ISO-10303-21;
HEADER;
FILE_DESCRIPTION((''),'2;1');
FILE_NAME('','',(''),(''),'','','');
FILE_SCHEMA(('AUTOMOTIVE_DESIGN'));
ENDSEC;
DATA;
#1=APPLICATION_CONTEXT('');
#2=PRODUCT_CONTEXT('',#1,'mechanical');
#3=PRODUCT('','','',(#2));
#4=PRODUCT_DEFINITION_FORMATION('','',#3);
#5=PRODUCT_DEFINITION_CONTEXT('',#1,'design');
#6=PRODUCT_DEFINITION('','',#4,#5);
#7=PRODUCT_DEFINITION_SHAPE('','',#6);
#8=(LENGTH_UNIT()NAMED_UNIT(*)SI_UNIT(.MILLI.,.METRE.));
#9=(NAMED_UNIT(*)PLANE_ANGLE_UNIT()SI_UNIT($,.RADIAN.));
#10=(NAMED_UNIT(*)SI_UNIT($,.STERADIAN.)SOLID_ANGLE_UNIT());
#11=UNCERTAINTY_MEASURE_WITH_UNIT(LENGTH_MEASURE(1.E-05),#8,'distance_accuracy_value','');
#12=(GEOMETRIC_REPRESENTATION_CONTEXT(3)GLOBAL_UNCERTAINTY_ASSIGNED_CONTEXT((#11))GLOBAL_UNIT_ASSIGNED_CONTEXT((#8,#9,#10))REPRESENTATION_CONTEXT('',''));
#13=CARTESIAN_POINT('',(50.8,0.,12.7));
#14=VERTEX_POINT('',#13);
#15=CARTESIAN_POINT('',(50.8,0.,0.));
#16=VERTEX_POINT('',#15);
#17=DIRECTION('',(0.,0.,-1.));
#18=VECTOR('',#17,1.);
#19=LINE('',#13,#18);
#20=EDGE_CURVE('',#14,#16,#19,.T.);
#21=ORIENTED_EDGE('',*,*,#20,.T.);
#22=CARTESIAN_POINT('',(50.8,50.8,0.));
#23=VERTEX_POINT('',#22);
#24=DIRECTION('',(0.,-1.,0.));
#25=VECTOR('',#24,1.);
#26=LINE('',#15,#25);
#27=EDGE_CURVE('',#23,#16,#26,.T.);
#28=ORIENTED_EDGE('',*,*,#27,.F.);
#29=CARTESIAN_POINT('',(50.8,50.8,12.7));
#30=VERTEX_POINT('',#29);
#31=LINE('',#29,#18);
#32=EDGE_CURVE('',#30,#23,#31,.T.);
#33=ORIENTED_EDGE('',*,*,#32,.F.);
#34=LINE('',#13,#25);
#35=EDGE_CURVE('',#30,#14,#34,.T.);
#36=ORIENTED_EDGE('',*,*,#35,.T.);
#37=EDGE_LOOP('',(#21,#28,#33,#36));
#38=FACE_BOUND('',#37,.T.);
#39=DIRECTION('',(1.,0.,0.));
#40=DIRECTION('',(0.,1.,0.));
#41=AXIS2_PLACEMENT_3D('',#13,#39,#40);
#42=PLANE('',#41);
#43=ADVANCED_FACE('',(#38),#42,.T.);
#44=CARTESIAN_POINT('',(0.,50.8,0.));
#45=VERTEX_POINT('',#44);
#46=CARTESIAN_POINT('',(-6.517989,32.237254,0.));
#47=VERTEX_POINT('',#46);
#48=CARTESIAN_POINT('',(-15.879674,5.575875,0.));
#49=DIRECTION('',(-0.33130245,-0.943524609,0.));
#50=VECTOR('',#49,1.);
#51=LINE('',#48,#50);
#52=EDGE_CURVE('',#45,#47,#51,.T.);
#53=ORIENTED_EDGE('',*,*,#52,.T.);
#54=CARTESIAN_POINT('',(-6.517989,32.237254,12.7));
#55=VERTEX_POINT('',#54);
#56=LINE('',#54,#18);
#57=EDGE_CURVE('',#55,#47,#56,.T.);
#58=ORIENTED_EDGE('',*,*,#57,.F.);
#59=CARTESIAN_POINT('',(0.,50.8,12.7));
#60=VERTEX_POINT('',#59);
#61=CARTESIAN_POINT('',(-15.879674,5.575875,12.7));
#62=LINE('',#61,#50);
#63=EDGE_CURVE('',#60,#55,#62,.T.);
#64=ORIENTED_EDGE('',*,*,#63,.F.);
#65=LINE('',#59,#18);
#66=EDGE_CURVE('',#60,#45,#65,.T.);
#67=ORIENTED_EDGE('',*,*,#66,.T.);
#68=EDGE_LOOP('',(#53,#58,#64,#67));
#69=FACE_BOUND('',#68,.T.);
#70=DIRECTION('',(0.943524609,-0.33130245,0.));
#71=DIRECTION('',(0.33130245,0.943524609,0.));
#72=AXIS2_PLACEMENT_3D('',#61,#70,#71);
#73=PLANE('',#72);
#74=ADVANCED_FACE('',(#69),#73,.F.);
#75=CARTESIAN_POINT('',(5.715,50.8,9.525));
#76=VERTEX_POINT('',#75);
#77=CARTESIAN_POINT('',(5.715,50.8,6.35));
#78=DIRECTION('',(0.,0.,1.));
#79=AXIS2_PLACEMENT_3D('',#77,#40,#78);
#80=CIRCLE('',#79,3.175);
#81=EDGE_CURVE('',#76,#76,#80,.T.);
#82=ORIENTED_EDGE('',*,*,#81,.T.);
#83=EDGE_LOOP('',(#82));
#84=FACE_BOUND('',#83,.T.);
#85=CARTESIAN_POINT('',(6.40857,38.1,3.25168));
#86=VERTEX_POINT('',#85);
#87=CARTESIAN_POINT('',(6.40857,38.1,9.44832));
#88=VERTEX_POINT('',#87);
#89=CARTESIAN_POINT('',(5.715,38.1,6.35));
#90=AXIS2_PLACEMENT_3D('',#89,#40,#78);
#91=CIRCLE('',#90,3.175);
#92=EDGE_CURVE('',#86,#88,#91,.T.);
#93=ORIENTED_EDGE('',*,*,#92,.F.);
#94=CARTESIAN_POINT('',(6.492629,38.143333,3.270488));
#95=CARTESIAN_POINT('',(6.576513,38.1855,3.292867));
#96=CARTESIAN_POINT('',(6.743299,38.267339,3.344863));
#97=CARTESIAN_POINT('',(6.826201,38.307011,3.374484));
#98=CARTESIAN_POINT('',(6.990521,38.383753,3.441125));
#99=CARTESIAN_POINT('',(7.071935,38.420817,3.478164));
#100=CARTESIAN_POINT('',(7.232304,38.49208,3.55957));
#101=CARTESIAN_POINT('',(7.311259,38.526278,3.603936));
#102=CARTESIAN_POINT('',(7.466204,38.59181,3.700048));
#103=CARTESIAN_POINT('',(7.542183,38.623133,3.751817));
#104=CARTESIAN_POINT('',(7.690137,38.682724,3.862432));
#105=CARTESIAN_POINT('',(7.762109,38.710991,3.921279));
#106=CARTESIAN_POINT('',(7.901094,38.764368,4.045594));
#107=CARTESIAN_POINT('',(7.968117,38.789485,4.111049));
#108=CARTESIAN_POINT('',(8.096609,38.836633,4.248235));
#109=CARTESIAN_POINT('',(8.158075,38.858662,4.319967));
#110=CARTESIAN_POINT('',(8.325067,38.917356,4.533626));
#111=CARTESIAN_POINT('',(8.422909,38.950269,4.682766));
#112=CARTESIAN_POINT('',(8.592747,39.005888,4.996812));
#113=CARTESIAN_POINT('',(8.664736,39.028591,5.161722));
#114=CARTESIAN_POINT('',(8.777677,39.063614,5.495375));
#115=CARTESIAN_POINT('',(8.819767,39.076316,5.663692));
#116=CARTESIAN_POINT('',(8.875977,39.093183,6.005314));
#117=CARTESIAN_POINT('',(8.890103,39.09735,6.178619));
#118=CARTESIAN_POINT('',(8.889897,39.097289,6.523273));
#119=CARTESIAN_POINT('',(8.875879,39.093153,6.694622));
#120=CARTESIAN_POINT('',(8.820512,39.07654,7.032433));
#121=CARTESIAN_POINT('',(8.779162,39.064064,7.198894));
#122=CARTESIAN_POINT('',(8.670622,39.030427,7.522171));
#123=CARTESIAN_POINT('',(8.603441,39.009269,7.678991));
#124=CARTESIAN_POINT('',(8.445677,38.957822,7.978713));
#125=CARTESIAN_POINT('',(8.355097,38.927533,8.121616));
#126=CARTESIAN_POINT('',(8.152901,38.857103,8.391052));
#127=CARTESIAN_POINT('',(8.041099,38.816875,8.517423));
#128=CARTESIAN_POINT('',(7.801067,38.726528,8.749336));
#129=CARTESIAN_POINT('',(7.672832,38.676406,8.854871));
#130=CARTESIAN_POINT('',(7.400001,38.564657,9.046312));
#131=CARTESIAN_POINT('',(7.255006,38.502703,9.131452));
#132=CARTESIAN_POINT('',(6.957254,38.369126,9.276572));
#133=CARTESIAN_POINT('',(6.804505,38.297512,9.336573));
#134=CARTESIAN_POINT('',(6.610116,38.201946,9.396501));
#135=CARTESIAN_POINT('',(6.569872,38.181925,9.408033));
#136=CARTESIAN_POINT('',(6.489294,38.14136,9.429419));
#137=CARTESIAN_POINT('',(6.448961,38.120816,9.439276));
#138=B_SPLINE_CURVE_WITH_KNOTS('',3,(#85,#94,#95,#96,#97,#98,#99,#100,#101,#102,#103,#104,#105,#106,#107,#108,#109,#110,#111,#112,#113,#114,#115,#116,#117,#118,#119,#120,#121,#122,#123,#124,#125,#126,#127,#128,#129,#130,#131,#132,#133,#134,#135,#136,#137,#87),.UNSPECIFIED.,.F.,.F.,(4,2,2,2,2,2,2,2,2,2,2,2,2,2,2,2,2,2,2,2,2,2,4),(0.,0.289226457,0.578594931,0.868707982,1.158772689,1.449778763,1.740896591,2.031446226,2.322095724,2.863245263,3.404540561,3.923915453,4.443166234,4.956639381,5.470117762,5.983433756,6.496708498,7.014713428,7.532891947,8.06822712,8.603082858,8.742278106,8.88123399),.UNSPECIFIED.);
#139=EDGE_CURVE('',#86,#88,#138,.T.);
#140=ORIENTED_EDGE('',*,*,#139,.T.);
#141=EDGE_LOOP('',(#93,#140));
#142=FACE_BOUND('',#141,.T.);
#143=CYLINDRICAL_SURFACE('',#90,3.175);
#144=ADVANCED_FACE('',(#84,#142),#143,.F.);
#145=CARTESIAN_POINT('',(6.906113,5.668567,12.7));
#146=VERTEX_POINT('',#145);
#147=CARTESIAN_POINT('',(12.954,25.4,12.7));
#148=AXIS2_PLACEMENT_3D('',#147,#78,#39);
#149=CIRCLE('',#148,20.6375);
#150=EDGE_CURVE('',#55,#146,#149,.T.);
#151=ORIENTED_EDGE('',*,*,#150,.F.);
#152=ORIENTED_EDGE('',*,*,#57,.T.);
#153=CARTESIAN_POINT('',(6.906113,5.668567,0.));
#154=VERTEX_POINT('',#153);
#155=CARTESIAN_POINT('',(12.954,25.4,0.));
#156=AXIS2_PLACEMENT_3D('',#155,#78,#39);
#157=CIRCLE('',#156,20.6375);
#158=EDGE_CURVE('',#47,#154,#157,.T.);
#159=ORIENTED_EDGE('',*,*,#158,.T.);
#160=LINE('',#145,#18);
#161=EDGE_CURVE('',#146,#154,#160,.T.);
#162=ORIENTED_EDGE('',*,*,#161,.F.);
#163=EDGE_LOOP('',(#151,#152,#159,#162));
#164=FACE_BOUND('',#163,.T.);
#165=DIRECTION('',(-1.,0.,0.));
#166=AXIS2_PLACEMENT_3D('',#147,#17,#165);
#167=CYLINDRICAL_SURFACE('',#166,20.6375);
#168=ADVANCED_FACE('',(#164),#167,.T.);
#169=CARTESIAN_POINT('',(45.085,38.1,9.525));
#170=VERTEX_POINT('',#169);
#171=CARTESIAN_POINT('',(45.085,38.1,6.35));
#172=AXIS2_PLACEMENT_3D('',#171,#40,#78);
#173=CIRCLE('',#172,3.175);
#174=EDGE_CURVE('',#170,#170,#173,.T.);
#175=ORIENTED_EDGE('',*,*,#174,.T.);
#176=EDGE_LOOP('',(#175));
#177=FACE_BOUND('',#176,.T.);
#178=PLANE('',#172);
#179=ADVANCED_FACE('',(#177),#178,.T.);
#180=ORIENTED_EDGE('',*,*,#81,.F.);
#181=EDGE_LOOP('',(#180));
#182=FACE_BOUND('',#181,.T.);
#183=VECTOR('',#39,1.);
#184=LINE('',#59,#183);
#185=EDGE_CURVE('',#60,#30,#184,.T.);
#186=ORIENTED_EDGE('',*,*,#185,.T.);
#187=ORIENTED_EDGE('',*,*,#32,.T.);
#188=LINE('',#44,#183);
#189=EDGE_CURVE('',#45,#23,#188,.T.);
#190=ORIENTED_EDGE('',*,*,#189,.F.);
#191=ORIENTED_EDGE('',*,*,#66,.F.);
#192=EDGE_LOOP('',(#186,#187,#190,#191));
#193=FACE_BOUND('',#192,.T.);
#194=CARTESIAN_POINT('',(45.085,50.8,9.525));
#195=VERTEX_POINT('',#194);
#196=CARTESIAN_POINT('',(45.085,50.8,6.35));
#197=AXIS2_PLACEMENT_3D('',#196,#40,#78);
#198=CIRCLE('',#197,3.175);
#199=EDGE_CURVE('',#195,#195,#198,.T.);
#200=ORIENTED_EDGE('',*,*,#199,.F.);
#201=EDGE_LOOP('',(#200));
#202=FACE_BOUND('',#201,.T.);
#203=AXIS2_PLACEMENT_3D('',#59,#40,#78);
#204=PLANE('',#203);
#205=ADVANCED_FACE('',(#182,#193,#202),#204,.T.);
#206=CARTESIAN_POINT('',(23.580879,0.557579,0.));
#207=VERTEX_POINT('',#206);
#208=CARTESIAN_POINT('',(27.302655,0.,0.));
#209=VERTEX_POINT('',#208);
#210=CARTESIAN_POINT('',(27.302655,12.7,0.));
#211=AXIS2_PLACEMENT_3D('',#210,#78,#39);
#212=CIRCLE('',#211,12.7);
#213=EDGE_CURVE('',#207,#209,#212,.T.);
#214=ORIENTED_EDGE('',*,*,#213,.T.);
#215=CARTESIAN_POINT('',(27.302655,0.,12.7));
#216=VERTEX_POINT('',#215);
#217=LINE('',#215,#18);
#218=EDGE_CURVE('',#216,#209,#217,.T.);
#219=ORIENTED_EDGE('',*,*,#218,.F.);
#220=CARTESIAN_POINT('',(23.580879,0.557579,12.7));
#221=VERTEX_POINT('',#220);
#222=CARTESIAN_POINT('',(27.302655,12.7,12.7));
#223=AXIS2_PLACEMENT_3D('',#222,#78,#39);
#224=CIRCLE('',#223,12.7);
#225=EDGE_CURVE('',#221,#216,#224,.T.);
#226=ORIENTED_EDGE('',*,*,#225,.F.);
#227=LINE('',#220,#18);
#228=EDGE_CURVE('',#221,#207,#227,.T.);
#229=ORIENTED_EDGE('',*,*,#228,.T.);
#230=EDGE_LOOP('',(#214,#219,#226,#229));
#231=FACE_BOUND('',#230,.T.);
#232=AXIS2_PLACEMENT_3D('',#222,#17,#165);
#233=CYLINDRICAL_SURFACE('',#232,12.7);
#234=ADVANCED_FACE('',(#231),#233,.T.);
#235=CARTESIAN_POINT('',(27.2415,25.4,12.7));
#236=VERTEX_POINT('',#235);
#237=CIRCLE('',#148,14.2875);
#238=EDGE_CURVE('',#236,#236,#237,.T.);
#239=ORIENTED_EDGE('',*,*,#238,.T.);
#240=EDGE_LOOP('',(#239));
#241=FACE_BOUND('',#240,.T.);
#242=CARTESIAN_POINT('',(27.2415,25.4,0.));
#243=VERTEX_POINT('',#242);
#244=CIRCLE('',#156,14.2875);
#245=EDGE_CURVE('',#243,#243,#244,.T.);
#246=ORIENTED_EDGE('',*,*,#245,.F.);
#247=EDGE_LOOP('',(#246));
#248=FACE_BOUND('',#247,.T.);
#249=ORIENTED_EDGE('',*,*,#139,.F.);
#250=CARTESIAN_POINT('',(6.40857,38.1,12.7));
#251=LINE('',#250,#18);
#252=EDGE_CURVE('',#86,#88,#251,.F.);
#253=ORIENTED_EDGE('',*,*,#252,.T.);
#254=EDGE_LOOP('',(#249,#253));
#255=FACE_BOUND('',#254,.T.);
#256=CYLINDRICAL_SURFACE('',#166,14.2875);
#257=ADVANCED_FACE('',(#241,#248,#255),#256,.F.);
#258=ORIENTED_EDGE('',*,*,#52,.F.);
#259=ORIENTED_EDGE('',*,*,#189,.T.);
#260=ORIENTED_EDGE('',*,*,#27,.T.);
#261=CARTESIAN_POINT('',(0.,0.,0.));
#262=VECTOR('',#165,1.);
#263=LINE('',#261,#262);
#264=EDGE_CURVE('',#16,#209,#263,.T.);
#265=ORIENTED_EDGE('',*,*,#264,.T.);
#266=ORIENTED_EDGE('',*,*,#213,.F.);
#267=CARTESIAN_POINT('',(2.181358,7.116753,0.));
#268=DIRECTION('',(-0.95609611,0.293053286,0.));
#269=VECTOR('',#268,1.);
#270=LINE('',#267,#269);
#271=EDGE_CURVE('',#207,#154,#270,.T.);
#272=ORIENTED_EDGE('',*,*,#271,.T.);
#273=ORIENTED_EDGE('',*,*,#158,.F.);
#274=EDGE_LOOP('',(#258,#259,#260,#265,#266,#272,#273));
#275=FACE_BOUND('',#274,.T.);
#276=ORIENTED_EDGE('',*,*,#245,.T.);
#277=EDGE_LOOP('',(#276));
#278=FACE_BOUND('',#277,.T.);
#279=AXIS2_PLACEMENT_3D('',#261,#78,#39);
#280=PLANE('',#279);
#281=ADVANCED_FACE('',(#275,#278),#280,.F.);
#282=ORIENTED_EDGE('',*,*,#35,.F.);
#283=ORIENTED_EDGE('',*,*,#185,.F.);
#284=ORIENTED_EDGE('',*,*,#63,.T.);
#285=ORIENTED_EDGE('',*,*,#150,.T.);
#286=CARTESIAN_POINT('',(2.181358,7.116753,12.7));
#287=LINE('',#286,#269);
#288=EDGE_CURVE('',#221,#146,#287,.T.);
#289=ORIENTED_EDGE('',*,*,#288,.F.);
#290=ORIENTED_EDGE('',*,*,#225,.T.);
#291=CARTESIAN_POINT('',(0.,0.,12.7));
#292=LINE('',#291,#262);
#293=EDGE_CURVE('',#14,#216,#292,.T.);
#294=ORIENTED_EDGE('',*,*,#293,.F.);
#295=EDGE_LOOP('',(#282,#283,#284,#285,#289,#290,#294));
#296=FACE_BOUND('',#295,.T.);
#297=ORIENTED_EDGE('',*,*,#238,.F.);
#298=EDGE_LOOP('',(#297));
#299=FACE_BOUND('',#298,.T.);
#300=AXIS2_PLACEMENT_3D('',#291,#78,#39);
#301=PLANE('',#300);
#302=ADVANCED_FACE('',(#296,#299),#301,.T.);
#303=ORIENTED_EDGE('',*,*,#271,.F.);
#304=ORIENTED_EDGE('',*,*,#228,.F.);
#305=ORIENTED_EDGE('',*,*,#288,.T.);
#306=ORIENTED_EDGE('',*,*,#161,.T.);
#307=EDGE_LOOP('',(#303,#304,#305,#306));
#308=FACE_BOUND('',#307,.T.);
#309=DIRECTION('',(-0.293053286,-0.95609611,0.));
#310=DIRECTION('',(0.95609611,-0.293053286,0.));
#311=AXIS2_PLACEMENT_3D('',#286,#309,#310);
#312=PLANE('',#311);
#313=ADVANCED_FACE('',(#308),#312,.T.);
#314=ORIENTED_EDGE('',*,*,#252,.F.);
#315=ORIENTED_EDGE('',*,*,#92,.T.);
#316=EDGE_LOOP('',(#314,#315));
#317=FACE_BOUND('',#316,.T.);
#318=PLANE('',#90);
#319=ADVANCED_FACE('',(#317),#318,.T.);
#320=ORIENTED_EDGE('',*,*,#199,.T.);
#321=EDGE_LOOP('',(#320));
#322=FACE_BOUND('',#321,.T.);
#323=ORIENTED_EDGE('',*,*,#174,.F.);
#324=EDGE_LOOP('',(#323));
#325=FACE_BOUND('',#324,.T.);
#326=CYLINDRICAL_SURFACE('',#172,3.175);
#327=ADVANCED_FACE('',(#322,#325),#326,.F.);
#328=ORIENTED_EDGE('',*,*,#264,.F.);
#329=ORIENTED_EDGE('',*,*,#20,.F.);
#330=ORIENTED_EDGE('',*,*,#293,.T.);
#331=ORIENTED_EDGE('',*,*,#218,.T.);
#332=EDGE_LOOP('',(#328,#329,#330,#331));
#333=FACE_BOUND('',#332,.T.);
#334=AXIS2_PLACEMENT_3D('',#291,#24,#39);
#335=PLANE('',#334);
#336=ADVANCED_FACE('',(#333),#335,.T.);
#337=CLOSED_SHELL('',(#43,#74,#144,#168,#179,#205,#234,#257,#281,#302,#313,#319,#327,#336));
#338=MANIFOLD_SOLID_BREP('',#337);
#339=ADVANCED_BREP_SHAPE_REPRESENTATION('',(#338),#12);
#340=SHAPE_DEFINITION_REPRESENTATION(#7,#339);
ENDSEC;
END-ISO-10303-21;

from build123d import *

# Parameters (mm, degrees)
SKETCH1_R           = 14.2875
BOSS_EXTRUDE2_DEPTH = 12.7
SKETCH3_R           = 3.175
CUT_EXTRUDE2_DEPTH  = 12.7


with BuildPart() as part:
    # Sketch1 → Boss-Extrude2 (new body)
    with BuildSketch(Plane.XY):
        with BuildLine():
            Line((50.8, 50.8), (0, 50.8))
            Line((0, 50.8), (-6.517989108, 32.237254305))
            ThreePointArc((-6.517989108, 32.237254305), (-5.465821228, 16.093196457), (6.906112814, 5.668566529))
            Line((6.906112814, 5.668566529), (23.580878621, 0.557579402))
            ThreePointArc((23.580878621, 0.557579402), (25.420999377, 0.140168361), (27.302655351, 0))
            Line((27.302655351, 0), (50.8, 0))
            Line((50.8, 0), (50.8, 50.8))
        make_face()
        with Locations((12.954, 25.4)):
            Circle(SKETCH1_R, mode=Mode.SUBTRACT)
    extrude(amount=BOSS_EXTRUDE2_DEPTH)

    # Sketch3 → Cut-Extrude2 (cut)
    with BuildSketch(Plane(origin=(0, 50.8, 0), x_dir=(1, 0, 0), z_dir=(0, 1, 0))):
        with Locations((45.085, -6.35)):
            Circle(SKETCH3_R)
        with Locations((5.715, -6.35)):
            Circle(SKETCH3_R)
    extrude(amount=-CUT_EXTRUDE2_DEPTH, mode=Mode.SUBTRACT)


solid = part.part
